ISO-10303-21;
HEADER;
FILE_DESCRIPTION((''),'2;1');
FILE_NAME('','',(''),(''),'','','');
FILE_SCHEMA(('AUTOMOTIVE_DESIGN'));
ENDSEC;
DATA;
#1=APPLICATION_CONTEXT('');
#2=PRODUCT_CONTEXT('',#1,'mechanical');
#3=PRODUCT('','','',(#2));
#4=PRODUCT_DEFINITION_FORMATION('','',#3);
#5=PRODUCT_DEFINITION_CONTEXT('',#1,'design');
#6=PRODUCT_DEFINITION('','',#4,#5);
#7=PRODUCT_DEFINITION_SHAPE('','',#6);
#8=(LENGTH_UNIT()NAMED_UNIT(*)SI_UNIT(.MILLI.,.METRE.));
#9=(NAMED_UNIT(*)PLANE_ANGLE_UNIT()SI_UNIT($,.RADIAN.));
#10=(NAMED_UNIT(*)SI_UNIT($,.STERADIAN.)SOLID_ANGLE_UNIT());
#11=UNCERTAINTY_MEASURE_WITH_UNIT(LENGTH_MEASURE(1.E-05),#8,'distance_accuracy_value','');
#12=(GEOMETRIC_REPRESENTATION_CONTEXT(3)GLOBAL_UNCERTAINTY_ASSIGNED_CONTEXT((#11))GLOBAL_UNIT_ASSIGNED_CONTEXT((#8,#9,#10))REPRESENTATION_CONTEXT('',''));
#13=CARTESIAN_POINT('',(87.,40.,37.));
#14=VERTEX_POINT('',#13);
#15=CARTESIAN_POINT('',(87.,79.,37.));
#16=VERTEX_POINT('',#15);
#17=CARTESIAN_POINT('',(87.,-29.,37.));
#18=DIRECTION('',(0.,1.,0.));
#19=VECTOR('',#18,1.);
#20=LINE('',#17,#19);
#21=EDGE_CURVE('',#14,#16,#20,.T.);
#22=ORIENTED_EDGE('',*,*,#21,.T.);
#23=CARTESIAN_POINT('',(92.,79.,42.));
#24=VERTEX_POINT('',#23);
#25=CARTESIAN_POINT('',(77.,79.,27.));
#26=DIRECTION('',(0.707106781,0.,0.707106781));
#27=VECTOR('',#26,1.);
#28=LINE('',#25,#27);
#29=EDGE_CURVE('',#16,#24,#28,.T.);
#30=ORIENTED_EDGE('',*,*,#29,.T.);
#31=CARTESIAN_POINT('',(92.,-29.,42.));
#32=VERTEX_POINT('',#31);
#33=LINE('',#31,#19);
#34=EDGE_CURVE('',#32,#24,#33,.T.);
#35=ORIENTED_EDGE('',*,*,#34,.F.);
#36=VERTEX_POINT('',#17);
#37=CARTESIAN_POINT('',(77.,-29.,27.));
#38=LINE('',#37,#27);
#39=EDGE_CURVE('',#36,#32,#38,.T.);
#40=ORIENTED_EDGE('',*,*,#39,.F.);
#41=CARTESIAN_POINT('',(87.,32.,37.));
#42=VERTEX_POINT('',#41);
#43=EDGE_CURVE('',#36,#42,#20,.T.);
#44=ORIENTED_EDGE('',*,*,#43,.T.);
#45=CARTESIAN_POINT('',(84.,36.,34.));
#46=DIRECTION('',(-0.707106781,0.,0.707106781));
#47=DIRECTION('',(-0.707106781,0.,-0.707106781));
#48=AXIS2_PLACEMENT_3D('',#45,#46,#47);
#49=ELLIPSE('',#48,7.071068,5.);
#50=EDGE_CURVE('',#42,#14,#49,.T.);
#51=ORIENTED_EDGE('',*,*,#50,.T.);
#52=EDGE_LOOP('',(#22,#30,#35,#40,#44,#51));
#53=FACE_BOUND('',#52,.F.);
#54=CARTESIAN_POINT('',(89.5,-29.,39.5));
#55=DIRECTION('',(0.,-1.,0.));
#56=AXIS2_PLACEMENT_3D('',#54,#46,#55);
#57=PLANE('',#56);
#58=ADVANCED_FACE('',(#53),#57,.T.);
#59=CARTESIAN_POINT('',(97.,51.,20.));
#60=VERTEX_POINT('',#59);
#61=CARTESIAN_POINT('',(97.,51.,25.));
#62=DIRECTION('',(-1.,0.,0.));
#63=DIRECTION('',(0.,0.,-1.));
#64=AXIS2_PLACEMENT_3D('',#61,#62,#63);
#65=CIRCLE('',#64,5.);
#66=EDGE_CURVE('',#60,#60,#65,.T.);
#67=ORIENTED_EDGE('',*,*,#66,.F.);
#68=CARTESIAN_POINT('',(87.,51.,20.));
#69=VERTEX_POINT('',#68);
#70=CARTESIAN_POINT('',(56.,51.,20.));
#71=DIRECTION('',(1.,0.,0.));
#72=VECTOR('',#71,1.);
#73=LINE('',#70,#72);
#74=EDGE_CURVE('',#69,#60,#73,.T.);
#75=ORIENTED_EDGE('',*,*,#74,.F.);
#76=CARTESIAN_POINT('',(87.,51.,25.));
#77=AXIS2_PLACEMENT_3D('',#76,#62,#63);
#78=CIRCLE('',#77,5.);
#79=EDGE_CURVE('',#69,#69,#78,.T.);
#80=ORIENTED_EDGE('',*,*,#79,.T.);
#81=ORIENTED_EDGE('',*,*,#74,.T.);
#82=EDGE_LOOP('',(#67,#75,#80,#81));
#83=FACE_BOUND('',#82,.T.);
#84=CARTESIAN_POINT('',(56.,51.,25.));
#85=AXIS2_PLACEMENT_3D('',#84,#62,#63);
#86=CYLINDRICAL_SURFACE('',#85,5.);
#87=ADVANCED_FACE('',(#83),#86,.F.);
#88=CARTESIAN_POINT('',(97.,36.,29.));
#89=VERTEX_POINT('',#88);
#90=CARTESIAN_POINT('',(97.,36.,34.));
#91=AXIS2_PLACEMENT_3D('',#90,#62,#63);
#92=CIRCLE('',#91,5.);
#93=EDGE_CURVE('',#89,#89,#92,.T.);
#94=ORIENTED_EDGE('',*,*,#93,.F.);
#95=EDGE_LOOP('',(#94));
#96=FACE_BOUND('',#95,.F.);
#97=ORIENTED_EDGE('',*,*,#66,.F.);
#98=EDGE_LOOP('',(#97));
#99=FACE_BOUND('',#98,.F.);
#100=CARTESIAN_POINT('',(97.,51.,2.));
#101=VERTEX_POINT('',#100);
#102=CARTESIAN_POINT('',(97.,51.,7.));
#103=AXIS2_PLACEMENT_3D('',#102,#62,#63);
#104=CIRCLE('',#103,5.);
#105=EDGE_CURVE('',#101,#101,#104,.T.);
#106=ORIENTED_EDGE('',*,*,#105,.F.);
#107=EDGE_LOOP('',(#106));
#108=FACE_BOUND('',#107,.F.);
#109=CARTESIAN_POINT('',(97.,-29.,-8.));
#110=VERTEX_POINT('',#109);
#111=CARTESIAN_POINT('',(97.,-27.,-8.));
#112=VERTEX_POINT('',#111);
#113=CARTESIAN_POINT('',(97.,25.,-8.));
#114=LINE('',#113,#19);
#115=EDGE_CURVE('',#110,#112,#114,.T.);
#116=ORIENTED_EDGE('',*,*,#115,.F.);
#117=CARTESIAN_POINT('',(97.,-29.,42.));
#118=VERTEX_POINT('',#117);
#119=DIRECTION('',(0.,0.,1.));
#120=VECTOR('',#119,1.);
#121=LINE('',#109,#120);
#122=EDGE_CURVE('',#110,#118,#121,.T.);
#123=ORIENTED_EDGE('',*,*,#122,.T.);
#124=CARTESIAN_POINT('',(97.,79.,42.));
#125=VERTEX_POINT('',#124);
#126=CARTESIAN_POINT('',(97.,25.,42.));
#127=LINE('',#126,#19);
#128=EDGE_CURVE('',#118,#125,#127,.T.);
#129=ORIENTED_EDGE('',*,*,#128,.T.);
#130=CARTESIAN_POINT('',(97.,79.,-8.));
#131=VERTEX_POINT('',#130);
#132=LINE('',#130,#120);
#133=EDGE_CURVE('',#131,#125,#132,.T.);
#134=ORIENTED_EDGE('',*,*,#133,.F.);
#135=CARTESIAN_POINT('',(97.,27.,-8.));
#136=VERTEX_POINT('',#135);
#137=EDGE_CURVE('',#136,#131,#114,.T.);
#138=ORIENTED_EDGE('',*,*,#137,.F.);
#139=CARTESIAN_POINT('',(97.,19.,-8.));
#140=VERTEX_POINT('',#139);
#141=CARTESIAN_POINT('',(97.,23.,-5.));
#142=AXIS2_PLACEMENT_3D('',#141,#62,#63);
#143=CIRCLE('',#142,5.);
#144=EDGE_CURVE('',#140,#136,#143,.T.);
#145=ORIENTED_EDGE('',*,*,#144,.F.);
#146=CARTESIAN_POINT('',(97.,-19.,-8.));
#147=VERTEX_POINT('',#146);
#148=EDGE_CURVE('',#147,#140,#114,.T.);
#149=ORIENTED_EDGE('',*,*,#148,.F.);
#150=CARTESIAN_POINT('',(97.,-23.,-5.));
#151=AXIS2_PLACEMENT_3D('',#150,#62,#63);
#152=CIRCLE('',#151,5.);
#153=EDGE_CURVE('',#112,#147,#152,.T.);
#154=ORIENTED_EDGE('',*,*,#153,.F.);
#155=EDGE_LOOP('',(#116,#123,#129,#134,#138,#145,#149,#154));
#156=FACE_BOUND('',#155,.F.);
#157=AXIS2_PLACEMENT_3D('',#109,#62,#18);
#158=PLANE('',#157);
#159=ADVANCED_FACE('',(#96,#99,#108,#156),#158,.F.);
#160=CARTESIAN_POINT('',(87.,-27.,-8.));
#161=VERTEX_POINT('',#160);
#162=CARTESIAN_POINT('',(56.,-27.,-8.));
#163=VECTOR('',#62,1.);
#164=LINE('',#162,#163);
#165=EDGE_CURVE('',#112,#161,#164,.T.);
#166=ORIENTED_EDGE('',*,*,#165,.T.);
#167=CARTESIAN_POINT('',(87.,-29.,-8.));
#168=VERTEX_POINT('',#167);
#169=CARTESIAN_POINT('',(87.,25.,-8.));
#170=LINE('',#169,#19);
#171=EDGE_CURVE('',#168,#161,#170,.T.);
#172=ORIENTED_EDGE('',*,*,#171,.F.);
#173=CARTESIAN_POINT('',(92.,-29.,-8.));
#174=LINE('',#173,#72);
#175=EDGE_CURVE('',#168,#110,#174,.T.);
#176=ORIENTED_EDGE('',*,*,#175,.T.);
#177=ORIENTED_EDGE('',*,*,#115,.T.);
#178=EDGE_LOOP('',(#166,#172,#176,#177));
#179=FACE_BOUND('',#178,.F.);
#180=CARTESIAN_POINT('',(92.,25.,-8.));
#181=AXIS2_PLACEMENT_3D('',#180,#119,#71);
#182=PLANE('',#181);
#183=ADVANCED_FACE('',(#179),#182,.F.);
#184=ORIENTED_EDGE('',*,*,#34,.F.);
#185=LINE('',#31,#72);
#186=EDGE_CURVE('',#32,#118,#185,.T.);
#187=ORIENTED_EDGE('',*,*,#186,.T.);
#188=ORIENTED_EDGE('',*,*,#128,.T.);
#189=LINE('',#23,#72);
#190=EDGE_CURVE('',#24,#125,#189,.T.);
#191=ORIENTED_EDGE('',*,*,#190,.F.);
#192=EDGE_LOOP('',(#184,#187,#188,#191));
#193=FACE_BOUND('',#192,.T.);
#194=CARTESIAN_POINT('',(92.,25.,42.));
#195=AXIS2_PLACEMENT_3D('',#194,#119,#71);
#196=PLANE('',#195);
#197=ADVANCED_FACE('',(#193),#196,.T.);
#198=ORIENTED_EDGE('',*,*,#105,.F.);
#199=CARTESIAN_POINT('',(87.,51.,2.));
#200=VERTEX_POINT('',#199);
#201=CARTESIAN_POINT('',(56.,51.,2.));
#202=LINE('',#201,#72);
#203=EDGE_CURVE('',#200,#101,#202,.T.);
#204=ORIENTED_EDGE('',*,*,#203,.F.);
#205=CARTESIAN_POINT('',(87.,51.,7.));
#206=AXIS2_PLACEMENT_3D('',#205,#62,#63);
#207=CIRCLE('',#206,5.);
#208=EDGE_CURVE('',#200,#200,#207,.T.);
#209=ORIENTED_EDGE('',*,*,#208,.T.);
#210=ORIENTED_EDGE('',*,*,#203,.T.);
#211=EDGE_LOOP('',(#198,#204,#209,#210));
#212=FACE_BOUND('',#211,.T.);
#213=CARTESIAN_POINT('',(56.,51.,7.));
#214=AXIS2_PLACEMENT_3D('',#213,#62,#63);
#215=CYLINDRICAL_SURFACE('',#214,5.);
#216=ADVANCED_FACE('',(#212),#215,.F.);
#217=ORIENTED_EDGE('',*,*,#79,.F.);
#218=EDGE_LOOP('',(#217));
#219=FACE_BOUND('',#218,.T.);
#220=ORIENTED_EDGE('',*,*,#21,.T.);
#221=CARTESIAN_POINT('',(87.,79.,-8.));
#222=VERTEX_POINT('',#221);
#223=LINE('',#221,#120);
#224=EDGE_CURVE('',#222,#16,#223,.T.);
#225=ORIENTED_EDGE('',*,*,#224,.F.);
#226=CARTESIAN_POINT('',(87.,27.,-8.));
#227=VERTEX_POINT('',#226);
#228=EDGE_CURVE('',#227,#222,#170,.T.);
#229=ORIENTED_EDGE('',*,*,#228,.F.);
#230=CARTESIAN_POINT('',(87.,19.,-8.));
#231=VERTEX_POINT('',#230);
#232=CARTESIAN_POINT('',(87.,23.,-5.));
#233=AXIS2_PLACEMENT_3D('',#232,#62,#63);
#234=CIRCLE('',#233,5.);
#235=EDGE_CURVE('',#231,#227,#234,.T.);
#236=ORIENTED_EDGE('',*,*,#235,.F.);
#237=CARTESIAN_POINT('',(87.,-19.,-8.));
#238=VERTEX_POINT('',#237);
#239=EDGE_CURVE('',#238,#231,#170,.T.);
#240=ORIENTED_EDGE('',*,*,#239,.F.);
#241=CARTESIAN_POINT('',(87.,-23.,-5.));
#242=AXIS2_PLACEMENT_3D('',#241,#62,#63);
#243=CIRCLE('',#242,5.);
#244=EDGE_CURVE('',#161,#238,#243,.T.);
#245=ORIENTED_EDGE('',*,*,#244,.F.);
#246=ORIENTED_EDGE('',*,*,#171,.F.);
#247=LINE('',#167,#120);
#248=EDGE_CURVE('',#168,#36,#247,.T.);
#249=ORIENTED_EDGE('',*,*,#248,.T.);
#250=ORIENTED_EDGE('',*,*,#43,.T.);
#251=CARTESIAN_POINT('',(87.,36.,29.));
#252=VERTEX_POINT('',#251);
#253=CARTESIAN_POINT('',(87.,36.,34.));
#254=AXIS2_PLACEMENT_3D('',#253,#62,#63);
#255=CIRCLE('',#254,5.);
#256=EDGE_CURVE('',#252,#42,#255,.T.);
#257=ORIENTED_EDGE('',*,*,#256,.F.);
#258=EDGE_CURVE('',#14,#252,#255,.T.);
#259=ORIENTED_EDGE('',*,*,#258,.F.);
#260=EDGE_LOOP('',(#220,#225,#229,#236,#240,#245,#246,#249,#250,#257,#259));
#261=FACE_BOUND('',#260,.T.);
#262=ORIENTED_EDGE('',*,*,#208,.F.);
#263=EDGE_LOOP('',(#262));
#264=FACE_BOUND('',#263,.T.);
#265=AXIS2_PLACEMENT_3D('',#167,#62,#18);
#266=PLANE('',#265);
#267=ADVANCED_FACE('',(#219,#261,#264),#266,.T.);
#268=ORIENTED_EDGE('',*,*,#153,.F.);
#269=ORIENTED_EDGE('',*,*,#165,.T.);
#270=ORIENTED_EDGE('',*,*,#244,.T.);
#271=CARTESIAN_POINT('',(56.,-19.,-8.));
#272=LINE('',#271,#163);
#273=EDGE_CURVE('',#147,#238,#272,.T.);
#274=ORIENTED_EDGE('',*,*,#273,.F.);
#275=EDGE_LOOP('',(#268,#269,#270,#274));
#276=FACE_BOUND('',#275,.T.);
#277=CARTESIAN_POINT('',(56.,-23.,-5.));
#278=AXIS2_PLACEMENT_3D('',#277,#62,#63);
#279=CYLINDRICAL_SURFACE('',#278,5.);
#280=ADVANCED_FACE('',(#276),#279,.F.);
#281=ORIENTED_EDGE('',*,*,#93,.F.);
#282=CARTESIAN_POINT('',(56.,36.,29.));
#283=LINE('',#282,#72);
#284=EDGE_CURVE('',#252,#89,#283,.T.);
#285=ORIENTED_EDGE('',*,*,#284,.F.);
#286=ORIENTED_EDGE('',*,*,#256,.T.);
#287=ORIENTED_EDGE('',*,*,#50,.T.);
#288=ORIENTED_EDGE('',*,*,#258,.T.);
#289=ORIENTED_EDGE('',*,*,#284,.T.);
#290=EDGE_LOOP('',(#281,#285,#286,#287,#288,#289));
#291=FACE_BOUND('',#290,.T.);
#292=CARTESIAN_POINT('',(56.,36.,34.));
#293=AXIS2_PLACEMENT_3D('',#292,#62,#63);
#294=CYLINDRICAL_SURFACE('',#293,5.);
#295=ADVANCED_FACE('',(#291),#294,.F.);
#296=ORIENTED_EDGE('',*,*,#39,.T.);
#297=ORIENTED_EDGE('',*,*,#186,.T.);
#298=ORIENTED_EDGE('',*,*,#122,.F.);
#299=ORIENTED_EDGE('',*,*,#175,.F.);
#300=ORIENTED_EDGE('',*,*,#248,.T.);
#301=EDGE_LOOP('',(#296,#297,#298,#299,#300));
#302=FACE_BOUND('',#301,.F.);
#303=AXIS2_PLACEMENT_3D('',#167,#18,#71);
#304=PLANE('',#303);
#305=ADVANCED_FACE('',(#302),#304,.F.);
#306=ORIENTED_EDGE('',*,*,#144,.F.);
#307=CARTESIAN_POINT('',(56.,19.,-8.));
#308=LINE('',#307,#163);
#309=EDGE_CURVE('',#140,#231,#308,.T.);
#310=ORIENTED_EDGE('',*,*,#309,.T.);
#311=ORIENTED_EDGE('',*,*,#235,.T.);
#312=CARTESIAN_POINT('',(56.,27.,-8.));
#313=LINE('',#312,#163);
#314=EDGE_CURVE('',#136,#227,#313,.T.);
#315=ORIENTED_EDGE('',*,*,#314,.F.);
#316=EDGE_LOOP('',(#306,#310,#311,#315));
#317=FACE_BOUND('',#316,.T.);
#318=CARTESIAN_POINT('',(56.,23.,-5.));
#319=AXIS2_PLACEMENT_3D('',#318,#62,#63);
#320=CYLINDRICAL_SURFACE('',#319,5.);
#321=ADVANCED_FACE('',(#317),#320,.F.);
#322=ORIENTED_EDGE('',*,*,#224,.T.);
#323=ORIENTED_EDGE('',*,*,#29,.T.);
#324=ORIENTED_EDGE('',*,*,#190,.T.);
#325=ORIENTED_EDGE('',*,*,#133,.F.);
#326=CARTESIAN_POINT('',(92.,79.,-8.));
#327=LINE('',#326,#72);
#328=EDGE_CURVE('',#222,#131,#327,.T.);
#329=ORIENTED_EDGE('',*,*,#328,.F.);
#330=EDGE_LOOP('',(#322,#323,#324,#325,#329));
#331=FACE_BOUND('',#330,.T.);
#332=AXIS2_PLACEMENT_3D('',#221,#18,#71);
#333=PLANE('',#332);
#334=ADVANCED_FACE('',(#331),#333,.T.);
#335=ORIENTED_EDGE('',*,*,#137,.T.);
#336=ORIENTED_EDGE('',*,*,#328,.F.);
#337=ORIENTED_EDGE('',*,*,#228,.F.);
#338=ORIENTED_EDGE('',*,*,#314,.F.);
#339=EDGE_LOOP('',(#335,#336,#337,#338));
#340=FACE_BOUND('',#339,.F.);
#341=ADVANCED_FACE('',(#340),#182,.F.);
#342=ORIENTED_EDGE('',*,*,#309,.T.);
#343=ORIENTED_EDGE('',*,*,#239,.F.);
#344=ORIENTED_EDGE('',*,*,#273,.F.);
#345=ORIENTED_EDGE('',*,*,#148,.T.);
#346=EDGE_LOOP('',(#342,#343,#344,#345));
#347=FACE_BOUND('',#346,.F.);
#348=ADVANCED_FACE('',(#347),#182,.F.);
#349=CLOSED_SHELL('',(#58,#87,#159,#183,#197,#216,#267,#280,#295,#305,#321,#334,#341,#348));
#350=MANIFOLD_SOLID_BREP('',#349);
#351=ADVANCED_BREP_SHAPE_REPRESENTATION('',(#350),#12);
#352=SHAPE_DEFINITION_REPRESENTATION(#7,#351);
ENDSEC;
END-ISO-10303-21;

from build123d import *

# Parameters (mm, degrees)
CYLINDER408_R     = 5
CYLINDER408_DEPTH = 100
CYLINDER409_R     = 5
CYLINDER409_DEPTH = 100
CYLINDER410_R     = 5
CYLINDER410_DEPTH = 100
CYLINDER411_R     = 5
CYLINDER411_DEPTH = 100
CYLINDER412_R     = 5
CYLINDER412_DEPTH = 100
CYLINDER413_R     = 5
CYLINDER413_DEPTH = 100
CYLINDER414_R     = 5
CYLINDER414_DEPTH = 100
CYLINDER407_R     = 5
CYLINDER407_DEPTH = 100
BOX134_W          = 10
BOX134_H          = 108
BOX134_DEPTH      = 50
CHAMFER_SIZE      = 5


with BuildPart() as v_lec408:
    # Cylinder408 → Cylinder408 (new body)
    with BuildSketch(Plane(origin=(24, -51, 25), x_dir=(0, 0, -1), z_dir=(1, 0, 0))):
        Circle(CYLINDER408_R)
    extrude(amount=CYLINDER408_DEPTH)


with BuildPart() as v_lec409:
    # Cylinder409 → Cylinder409 (new body)
    with BuildSketch(Plane(origin=(24, 36, 34), x_dir=(0, 0, -1), z_dir=(1, 0, 0))):
        Circle(CYLINDER409_R)
    extrude(amount=CYLINDER409_DEPTH)


with BuildPart() as v_lec410:
    # Cylinder410 → Cylinder410 (new body)
    with BuildSketch(Plane(origin=(24, -36, 34), x_dir=(0, 0, -1), z_dir=(1, 0, 0))):
        Circle(CYLINDER410_R)
    extrude(amount=CYLINDER410_DEPTH)


with BuildPart() as v_lec411:
    # Cylinder411 → Cylinder411 (new body)
    with BuildSketch(Plane(origin=(24, -23, -5), x_dir=(0, 0, -1), z_dir=(1, 0, 0))):
        Circle(CYLINDER411_R)
    extrude(amount=CYLINDER411_DEPTH)


with BuildPart() as v_lec412:
    # Cylinder412 → Cylinder412 (new body)
    with BuildSketch(Plane(origin=(24, 51, 7), x_dir=(0, 0, -1), z_dir=(1, 0, 0))):
        Circle(CYLINDER412_R)
    extrude(amount=CYLINDER412_DEPTH)


with BuildPart() as v_lec413:
    # Cylinder413 → Cylinder413 (new body)
    with BuildSketch(Plane(origin=(24, 23, -5), x_dir=(0, 0, -1), z_dir=(1, 0, 0))):
        Circle(CYLINDER413_R)
    extrude(amount=CYLINDER413_DEPTH)


with BuildPart() as v_lec414:
    # Cylinder414 → Cylinder414 (new body)
    with BuildSketch(Plane(origin=(24, -51, 7), x_dir=(0, 0, -1), z_dir=(1, 0, 0))):
        Circle(CYLINDER414_R)
    extrude(amount=CYLINDER414_DEPTH)


with BuildPart() as compound586:
    # Cylinder407 → Cylinder407 (new body)
    with BuildSketch(Plane(origin=(24, 51, 25), x_dir=(0, 0, -1), z_dir=(1, 0, 0))):
        Circle(CYLINDER407_R)
    extrude(amount=CYLINDER407_DEPTH)

    # Compound586: union Válec408, Válec409, Válec410, Válec411, Válec412, Válec413, Válec414
    add(v_lec408.part)
    add(v_lec409.part)
    add(v_lec410.part)
    add(v_lec411.part)
    add(v_lec412.part)
    add(v_lec413.part)
    add(v_lec414.part)


with BuildPart() as compound586_1:
    # Compound586 placement: moved
    add(compound586.part.moved(Location((32, 0, 0))))


with BuildPart() as cut362:
    # Box134 → Box134 (new body)
    with BuildSketch(Plane(origin=(87, -29, -8), x_dir=(1, 0, 0), z_dir=(0, 0, 1))):
        with Locations((5, 54)):
            Rectangle(BOX134_W, BOX134_H)
    extrude(amount=BOX134_DEPTH)

    # Chamfer
    chamfer_edges = [cut362.edges().sort_by_distance(p)[0] for p in [
        (87, 25, 42),
    ]]
    chamfer(chamfer_edges, length=CHAMFER_SIZE)

    # Cut362: cut Compound586
    add(compound586_1.part, mode=Mode.SUBTRACT)


solid = cut362.part
